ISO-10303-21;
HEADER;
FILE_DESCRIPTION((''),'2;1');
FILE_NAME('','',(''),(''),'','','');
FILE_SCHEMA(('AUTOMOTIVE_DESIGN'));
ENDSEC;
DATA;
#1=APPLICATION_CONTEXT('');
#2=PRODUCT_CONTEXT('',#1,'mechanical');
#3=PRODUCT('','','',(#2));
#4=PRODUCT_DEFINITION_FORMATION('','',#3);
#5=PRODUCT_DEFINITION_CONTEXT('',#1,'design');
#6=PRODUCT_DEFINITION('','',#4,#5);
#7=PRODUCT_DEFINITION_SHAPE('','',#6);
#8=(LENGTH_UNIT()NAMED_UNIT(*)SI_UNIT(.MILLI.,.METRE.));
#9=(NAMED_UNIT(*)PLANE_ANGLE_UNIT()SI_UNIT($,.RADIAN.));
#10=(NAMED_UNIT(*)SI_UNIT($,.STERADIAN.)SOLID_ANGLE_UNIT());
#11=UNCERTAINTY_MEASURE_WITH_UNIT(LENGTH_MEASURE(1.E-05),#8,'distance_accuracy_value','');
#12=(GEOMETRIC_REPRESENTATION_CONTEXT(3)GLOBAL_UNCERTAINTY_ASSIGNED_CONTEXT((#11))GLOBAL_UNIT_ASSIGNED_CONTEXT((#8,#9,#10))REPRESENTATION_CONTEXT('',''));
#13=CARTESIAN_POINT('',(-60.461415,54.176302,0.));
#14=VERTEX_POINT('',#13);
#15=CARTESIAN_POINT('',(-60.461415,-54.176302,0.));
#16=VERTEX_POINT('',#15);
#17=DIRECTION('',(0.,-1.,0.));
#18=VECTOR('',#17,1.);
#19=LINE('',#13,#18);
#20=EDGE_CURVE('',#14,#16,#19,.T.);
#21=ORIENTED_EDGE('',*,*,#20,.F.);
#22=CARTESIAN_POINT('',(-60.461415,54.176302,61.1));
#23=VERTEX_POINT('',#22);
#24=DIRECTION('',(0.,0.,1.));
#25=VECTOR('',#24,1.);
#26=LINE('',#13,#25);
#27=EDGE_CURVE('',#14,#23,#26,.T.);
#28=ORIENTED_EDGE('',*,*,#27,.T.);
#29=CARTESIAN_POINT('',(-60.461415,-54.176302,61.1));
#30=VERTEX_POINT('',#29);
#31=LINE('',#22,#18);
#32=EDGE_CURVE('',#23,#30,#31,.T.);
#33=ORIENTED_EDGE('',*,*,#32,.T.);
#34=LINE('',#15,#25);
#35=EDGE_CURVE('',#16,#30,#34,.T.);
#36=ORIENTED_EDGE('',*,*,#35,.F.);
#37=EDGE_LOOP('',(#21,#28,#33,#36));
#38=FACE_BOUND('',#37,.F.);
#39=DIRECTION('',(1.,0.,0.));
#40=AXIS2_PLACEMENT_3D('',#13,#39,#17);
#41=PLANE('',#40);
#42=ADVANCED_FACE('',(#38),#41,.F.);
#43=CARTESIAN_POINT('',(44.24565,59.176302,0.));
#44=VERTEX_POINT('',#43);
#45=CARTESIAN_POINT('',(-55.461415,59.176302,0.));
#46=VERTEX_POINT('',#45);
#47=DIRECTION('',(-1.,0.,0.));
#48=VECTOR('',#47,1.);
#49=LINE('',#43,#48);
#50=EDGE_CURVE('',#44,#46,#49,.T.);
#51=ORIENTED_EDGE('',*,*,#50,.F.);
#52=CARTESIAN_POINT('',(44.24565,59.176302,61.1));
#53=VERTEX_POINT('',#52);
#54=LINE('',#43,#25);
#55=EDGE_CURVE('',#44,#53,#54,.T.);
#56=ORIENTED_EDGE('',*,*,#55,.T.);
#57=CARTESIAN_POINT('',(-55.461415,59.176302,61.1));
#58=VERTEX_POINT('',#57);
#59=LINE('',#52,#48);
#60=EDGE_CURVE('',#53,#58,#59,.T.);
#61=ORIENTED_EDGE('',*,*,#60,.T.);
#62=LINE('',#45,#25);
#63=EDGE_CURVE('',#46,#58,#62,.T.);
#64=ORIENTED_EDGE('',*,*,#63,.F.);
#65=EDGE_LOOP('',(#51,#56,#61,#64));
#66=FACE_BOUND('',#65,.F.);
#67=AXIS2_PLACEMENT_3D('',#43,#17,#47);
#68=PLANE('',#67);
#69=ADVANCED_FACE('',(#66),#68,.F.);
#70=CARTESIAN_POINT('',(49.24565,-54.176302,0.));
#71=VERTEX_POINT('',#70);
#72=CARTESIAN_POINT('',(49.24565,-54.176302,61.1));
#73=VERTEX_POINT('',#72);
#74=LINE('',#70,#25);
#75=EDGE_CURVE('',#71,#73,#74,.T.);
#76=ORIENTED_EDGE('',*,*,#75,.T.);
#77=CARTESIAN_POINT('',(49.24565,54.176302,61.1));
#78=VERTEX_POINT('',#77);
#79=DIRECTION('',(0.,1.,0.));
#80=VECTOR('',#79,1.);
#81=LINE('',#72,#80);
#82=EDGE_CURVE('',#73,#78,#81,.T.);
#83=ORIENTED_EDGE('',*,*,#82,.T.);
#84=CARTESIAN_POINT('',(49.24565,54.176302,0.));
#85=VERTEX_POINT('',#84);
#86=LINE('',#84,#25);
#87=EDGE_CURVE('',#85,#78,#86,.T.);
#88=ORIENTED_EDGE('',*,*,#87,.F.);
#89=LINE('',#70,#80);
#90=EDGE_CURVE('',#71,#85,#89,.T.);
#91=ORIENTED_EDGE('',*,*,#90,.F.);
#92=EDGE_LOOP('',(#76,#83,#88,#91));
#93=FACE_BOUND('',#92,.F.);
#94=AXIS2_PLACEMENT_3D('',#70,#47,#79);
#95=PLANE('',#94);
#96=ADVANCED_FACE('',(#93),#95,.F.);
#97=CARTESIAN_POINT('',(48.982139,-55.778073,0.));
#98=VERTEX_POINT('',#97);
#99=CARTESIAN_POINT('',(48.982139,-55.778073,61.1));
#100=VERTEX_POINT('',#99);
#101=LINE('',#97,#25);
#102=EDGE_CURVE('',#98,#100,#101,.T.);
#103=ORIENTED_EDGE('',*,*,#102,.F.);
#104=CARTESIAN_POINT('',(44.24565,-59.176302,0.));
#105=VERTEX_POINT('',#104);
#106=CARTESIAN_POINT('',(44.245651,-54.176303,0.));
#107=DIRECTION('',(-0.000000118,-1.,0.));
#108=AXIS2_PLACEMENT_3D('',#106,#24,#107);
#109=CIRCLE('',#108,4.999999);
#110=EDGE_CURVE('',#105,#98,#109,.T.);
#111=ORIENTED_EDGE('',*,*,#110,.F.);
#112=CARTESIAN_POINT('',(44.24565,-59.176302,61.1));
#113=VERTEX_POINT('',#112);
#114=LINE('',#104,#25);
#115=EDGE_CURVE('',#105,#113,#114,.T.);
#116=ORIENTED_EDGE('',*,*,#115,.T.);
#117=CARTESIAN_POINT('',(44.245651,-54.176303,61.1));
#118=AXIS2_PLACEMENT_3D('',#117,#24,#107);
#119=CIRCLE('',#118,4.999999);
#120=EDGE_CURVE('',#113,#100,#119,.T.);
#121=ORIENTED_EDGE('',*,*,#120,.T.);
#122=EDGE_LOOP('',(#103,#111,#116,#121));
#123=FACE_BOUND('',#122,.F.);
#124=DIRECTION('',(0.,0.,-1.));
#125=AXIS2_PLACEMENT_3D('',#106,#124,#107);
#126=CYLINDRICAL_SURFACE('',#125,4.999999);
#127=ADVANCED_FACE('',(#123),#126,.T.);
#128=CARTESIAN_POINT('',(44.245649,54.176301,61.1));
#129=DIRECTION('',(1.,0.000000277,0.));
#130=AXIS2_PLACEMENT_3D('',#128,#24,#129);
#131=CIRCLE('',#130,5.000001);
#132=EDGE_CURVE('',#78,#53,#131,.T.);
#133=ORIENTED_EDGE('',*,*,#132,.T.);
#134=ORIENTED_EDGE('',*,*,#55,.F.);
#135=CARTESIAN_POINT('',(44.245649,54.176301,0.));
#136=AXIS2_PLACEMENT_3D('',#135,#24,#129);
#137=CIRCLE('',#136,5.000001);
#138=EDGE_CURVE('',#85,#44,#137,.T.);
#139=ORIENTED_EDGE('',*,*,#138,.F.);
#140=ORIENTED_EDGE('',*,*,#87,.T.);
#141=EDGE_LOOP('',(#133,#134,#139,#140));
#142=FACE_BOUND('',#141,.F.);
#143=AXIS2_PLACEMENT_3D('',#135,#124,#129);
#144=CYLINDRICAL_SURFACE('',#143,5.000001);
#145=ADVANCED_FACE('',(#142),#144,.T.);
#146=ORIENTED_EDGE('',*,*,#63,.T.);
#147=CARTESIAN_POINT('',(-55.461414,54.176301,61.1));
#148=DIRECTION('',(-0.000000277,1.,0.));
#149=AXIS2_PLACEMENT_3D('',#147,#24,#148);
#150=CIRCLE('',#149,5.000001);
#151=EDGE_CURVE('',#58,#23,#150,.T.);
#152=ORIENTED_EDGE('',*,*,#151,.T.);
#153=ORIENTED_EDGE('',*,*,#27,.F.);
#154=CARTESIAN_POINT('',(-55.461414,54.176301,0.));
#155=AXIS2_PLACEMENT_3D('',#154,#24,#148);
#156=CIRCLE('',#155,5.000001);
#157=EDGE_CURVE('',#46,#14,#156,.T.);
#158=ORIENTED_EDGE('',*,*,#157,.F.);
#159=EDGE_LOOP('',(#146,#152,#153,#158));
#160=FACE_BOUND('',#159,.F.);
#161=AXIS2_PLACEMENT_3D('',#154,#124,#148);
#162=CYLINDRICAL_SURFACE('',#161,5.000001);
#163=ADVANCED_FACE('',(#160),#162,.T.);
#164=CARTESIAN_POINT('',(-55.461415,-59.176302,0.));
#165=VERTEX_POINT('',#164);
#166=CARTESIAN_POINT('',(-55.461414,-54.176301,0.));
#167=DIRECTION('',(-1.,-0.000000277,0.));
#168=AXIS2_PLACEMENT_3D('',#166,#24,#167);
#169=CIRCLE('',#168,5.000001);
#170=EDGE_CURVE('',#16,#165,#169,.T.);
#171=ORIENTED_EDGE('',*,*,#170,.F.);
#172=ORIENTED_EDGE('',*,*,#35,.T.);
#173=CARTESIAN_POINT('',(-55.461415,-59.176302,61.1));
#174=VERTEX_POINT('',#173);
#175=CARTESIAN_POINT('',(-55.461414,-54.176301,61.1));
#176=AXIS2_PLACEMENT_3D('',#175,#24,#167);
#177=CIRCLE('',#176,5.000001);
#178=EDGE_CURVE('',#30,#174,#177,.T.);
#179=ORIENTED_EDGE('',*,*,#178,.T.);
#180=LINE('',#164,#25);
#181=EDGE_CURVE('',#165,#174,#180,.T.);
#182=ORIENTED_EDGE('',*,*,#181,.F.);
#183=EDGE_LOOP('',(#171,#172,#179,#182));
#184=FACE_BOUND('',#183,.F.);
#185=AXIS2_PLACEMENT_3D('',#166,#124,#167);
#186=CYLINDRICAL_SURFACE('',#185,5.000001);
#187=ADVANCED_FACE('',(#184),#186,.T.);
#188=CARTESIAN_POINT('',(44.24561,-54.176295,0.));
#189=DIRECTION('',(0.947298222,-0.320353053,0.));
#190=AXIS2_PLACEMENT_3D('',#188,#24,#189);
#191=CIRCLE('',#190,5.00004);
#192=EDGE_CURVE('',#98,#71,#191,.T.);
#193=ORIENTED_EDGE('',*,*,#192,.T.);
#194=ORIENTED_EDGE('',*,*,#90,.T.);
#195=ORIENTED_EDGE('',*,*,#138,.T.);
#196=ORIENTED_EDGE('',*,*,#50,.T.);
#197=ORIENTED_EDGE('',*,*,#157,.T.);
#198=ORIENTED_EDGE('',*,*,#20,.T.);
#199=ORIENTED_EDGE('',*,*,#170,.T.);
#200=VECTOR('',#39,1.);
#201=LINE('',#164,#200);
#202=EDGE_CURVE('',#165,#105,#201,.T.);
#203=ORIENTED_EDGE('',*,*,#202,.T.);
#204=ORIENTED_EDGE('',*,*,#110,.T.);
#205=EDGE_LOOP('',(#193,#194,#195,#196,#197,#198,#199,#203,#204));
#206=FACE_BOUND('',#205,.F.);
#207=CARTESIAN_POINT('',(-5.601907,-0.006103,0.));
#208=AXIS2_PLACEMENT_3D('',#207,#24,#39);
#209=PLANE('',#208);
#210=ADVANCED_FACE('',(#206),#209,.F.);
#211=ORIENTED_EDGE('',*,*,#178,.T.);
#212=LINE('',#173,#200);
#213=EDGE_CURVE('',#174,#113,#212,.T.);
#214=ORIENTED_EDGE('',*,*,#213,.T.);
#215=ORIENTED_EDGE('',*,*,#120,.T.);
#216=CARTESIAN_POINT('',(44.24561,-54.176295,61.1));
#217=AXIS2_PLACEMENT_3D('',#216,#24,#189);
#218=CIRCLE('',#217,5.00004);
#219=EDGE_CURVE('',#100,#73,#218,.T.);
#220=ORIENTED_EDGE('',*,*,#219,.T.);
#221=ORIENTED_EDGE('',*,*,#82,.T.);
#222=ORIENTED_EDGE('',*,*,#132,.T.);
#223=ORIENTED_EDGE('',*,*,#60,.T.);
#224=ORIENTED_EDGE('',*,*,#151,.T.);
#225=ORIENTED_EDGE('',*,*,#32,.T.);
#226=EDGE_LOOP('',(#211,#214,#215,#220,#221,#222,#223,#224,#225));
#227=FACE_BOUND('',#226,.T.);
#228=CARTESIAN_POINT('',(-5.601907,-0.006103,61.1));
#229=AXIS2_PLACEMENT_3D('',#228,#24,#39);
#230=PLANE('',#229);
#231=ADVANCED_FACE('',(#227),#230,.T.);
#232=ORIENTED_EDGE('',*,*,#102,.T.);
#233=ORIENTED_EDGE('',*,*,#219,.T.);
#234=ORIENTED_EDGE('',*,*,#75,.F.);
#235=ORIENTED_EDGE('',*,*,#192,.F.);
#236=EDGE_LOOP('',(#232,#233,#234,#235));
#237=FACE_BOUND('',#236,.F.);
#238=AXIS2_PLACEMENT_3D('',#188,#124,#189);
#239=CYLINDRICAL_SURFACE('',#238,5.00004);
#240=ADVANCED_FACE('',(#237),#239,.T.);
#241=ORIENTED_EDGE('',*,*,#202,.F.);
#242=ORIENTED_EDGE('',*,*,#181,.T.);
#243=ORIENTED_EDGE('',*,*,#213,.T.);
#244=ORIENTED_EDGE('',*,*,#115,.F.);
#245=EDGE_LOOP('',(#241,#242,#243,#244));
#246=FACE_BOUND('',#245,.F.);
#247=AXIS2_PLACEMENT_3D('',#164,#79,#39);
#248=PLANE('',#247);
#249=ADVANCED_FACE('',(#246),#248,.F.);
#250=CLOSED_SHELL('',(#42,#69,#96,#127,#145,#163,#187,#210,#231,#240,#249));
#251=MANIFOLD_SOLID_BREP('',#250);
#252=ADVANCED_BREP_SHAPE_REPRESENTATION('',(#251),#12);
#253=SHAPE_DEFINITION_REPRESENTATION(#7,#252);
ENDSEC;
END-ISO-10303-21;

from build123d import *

# Parameters (mm, degrees)
F1_DEPTH = 61.1


with BuildPart() as f1:
    # F0 (on Top) → F1 (new body)
    with BuildSketch(Plane.XY):
        with BuildLine():
            Line((-55.461415, -59.176302), (44.24565, -59.176302))
            ThreePointArc((44.24565, -59.176302), (47.160367, -58.238866), (48.982139, -55.778073))
            ThreePointArc((48.982139, -55.778073), (49.179332, -54.987952), (49.24565, -54.176302))
            Line((49.24565, -54.176302), (49.24565, 54.176302))
            ThreePointArc((49.24565, 54.176302), (47.781184, 57.711835), (44.24565, 59.176302))
            Line((44.24565, 59.176302), (-55.461415, 59.176302))
            ThreePointArc((-55.461415, 59.176302), (-58.996949, 57.711835), (-60.461415, 54.176302))
            Line((-60.461415, 54.176302), (-60.461415, -54.176302))
            ThreePointArc((-60.461415, -54.176302), (-58.996949, -57.711835), (-55.461415, -59.176302))
        make_face()
    extrude(amount=F1_DEPTH)


solid = f1.part
